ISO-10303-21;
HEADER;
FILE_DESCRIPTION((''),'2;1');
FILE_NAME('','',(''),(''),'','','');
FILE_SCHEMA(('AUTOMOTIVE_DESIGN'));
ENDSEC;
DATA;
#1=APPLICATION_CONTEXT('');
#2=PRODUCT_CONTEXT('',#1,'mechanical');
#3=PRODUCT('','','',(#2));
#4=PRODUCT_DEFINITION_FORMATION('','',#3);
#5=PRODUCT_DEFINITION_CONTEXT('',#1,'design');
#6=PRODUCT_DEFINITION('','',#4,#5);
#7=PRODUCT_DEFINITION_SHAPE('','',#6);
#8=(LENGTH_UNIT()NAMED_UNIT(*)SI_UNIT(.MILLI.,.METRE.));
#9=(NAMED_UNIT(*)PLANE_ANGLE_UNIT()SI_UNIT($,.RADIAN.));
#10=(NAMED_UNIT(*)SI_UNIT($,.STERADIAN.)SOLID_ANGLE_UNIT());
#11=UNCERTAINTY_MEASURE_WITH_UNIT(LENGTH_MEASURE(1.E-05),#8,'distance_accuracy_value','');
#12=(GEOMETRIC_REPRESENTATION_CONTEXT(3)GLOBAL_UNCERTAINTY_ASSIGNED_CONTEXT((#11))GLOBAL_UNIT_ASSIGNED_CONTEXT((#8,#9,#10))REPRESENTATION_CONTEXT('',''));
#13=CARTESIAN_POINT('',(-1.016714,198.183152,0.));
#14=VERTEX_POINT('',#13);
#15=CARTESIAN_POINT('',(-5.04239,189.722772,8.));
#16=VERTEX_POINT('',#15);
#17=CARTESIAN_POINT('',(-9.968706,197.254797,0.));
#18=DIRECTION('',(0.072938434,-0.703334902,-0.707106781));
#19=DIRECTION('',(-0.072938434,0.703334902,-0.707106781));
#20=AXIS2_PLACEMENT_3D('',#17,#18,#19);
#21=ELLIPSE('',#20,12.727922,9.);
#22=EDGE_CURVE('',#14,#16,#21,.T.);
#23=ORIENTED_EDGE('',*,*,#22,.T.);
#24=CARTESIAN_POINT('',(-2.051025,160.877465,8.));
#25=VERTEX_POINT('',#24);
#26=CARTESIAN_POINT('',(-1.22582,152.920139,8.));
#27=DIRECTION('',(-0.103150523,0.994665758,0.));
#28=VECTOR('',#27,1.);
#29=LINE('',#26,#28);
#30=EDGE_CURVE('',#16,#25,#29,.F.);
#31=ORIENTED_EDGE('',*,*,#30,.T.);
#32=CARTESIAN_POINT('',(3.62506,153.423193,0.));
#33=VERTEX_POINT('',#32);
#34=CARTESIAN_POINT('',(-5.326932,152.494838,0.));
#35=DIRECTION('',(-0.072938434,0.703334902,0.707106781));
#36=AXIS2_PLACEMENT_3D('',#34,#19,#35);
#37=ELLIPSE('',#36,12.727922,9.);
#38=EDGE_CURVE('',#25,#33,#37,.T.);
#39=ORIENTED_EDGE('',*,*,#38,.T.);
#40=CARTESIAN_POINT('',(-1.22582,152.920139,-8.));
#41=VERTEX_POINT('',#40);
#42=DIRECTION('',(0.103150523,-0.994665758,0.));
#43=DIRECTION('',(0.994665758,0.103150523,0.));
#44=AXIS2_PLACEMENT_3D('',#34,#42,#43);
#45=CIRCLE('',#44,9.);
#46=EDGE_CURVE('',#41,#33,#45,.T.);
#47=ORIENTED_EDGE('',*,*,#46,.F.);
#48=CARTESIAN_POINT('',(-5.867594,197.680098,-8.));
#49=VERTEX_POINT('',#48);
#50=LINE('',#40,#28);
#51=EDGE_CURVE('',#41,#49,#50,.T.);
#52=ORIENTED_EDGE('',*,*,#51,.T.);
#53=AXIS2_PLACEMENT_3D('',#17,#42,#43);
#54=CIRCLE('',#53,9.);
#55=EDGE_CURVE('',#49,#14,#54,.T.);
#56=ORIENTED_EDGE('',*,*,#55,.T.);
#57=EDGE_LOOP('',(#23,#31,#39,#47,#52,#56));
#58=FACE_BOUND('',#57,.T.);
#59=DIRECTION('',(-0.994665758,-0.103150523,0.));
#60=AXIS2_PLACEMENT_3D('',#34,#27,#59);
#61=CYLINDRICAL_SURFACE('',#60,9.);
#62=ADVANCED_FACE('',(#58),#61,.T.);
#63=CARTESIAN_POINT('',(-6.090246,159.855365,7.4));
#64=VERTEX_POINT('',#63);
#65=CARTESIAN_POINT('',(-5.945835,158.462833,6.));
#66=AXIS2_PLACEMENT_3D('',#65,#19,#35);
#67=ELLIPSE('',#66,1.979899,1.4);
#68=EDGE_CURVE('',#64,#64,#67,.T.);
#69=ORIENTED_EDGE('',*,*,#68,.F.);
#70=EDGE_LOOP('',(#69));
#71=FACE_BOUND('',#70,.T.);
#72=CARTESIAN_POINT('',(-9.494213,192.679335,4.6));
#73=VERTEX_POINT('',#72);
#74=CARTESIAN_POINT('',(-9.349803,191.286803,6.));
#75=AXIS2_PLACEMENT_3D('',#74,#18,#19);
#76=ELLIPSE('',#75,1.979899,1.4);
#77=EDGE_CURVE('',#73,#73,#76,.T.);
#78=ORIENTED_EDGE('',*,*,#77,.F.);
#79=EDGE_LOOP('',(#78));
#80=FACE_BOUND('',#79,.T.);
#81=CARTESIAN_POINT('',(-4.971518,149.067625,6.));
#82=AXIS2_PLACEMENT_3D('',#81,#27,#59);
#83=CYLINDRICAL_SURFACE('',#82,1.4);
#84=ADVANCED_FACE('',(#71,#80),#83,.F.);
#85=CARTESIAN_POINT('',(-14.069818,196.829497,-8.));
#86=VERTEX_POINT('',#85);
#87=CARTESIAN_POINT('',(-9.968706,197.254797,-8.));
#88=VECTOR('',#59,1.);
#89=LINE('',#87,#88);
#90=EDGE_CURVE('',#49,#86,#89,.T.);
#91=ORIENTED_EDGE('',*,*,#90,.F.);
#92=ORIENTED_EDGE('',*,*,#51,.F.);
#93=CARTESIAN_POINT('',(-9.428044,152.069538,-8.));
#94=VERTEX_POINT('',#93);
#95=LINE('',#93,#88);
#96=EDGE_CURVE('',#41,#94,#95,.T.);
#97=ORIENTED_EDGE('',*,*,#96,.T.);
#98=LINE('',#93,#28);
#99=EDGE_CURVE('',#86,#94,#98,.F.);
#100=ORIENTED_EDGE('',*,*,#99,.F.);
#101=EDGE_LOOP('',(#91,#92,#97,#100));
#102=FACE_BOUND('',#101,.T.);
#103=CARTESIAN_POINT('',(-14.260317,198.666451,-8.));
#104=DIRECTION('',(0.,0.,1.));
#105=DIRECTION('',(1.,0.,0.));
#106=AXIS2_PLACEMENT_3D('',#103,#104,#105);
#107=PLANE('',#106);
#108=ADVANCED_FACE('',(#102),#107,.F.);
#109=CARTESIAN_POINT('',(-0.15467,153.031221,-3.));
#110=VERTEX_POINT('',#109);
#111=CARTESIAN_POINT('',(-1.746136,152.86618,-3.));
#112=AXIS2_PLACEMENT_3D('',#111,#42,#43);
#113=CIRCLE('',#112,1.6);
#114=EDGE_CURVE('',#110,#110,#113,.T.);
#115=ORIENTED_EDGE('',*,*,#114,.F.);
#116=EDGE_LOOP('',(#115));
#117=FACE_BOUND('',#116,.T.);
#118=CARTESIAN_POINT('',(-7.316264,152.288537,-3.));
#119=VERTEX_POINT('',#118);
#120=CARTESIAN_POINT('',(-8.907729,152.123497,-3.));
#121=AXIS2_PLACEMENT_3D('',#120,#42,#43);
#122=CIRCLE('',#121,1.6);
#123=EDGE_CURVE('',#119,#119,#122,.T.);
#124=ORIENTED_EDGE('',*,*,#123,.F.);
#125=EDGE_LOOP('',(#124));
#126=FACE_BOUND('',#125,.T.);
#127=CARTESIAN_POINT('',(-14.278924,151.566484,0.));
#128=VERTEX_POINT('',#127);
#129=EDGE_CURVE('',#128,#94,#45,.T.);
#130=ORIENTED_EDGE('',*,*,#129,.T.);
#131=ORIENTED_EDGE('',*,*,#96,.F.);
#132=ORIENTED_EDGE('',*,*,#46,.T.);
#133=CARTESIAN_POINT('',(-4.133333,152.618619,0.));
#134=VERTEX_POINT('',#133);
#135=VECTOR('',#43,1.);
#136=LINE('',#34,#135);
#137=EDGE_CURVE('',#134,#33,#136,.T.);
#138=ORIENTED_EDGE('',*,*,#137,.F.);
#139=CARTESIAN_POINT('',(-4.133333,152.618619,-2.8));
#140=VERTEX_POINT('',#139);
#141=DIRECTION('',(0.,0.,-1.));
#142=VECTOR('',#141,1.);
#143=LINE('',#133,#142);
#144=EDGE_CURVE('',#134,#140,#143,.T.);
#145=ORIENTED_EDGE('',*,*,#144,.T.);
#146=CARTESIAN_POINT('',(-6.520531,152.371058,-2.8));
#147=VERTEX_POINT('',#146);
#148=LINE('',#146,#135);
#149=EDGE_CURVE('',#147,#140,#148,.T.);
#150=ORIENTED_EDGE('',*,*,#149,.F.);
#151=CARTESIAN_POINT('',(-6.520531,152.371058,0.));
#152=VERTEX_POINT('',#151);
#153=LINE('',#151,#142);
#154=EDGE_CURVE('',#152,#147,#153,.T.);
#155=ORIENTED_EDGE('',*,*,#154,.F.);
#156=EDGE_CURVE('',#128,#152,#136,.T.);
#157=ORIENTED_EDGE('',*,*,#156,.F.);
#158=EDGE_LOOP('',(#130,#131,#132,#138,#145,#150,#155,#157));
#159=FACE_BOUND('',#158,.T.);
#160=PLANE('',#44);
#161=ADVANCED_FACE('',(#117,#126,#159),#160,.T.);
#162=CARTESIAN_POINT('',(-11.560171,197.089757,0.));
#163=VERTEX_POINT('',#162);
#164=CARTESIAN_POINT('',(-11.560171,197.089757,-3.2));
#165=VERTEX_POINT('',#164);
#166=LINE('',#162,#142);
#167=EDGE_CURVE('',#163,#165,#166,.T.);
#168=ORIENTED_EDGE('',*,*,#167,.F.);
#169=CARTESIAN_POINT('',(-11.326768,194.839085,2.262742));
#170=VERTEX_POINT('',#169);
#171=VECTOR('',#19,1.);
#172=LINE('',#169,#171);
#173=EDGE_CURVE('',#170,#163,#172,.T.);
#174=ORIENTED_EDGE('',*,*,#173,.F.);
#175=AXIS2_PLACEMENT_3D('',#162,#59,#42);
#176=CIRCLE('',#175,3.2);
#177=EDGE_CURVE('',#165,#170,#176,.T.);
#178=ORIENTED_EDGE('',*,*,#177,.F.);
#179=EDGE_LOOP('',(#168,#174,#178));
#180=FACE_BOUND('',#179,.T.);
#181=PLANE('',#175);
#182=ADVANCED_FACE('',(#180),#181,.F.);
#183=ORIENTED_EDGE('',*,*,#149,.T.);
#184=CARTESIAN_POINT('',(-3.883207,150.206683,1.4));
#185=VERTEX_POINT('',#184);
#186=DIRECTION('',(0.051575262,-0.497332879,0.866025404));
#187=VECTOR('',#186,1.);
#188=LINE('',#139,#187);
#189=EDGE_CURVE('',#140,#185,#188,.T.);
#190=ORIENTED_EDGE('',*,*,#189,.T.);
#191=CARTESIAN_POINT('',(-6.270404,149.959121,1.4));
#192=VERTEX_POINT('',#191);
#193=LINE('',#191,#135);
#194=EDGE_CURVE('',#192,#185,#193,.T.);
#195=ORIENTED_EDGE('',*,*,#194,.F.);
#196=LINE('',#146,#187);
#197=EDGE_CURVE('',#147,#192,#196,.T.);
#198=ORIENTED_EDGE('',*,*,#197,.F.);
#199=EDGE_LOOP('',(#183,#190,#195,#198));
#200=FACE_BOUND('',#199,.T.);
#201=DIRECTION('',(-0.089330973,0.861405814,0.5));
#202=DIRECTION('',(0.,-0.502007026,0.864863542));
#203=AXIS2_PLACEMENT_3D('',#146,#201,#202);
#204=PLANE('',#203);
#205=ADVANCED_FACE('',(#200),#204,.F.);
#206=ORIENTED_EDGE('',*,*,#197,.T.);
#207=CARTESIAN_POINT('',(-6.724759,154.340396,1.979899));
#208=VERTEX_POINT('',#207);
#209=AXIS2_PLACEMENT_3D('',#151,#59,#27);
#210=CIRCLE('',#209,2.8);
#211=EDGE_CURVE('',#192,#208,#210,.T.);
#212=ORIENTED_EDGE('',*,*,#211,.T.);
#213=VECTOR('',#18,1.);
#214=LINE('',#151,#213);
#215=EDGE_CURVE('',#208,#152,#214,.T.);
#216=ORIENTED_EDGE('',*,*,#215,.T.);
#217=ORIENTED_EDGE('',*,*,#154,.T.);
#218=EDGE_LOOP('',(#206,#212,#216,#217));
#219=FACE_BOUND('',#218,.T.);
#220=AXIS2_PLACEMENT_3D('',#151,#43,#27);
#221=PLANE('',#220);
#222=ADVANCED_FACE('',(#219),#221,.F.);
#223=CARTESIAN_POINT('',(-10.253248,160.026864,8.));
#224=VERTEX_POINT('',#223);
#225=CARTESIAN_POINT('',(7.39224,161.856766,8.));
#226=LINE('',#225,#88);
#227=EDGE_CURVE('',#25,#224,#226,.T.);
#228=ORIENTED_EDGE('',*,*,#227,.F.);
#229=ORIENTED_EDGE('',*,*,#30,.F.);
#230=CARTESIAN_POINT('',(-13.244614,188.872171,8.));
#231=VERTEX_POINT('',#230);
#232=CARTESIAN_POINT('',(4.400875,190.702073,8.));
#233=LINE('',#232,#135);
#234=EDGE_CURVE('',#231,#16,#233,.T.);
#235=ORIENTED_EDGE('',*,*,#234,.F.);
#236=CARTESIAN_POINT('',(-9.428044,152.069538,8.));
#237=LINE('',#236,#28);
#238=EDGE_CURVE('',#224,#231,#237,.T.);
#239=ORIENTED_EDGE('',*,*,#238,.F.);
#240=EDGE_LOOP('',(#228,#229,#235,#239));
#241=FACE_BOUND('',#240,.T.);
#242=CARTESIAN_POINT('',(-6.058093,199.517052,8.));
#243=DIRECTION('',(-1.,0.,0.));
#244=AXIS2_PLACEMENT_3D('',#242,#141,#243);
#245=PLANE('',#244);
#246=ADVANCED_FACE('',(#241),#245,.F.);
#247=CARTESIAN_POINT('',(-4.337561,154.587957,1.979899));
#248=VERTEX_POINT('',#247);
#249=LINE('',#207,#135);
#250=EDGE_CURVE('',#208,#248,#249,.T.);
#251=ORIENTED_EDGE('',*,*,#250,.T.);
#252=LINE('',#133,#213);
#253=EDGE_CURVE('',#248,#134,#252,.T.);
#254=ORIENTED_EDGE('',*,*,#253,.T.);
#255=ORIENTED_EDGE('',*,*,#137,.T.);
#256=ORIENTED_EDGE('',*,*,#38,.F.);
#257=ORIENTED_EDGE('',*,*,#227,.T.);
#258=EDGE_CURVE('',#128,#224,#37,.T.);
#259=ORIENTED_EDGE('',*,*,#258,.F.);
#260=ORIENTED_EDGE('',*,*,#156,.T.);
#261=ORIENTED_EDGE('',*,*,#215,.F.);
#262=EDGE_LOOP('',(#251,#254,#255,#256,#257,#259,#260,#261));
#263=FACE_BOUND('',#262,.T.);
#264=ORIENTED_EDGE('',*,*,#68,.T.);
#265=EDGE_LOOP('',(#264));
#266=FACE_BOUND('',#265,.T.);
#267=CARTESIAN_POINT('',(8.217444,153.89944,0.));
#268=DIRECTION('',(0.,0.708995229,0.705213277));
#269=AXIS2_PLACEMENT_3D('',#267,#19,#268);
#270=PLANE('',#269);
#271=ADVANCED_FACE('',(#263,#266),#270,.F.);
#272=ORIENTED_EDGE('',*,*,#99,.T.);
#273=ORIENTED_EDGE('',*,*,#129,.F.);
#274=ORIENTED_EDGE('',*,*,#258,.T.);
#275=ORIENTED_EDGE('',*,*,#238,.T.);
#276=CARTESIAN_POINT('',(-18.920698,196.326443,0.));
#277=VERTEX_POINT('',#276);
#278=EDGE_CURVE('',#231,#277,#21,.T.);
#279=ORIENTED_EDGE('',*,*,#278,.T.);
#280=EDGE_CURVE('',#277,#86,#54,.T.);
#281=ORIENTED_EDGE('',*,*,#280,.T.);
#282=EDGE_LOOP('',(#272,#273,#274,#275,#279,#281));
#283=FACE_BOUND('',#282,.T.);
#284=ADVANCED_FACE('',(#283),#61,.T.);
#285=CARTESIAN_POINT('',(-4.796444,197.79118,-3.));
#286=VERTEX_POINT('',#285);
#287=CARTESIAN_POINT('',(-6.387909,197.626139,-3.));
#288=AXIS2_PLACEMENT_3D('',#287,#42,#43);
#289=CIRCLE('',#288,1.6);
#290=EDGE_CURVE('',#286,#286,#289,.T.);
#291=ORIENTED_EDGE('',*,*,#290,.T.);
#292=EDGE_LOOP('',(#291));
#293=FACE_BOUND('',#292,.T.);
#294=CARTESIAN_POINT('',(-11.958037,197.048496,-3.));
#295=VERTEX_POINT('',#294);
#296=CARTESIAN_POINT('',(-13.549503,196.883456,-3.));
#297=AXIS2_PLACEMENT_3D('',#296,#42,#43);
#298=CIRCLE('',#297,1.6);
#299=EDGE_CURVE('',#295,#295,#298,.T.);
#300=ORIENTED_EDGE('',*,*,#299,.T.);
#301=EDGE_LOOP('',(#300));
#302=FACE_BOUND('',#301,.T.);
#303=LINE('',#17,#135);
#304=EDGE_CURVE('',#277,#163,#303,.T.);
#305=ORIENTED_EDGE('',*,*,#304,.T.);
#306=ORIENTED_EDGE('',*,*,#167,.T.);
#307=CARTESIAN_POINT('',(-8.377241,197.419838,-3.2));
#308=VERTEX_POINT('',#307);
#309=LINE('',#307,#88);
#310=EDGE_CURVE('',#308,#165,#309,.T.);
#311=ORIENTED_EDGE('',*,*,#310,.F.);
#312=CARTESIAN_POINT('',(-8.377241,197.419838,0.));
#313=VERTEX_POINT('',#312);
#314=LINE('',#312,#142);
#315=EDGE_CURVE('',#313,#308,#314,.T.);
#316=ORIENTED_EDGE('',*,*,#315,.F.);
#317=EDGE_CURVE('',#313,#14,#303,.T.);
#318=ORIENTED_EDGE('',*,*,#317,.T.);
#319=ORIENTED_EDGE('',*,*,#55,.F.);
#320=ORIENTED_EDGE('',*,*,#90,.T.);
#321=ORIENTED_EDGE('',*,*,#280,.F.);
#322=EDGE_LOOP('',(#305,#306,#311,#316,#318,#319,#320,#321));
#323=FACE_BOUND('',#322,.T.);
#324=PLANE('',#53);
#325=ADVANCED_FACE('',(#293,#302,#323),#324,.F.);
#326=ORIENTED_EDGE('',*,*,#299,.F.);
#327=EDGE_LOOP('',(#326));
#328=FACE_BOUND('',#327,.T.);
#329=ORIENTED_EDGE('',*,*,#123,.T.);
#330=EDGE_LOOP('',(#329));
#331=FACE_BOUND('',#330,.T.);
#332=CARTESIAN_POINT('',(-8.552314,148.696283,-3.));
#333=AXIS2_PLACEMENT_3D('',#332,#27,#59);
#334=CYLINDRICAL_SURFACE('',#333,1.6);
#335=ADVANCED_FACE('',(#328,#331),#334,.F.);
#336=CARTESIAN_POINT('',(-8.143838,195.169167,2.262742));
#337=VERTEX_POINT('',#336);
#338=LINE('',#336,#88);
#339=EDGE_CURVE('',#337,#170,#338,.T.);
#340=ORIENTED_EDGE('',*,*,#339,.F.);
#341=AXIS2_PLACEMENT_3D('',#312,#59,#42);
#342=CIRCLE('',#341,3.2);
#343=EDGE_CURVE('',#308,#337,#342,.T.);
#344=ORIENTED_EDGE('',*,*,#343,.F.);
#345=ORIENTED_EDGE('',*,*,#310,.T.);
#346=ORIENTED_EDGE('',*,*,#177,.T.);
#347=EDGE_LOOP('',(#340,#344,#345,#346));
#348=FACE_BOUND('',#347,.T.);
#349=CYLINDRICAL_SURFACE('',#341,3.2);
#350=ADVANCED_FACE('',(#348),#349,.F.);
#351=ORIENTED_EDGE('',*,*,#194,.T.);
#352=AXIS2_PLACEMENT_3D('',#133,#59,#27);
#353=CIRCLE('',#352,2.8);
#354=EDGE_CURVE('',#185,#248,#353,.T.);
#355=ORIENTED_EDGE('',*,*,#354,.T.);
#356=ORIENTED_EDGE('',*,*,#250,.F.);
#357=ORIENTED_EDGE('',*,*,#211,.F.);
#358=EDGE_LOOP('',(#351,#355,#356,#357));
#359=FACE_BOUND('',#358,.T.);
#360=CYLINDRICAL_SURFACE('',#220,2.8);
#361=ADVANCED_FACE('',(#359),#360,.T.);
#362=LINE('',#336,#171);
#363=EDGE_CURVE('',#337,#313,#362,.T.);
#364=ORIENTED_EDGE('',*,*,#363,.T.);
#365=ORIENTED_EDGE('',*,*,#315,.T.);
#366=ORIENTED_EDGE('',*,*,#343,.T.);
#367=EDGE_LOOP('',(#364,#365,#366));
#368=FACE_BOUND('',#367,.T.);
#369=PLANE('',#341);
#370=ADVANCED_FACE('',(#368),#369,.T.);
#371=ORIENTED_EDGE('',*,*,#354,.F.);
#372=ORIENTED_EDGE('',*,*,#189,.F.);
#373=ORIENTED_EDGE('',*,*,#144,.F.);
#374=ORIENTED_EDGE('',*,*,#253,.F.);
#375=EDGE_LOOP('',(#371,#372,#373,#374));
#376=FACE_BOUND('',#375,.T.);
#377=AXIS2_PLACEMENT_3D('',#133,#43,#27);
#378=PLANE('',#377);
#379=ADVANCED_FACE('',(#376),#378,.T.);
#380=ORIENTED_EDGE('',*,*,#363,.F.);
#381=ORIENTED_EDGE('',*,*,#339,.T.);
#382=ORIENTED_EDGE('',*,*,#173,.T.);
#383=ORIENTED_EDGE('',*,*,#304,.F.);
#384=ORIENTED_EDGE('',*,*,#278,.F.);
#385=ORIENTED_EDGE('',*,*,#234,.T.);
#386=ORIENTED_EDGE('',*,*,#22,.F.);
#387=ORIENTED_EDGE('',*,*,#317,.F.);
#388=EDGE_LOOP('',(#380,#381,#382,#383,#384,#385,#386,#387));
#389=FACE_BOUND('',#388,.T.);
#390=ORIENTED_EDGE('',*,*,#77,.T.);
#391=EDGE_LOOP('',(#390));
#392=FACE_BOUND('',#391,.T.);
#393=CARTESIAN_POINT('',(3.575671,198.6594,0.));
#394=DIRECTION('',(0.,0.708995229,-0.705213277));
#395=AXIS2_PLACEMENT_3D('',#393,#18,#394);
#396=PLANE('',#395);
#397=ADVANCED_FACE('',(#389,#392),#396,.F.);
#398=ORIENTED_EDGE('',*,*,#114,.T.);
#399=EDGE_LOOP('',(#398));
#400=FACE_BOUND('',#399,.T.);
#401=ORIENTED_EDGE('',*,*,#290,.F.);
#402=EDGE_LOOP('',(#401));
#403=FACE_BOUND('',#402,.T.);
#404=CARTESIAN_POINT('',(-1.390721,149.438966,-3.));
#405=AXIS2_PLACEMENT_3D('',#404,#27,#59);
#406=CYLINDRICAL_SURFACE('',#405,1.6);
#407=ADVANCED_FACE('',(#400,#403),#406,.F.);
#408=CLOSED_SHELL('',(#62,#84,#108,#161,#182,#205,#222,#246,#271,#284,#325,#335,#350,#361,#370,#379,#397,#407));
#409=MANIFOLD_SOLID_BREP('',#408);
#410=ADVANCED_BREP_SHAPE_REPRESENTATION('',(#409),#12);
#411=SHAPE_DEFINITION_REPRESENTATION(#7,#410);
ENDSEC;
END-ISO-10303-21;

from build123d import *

# Parameters (mm, degrees)
SKETCH3_R               = 9
BOSS_EXTRUDE1_DEPTH     = 45
CUT_EXTRUDE1_DEPTH      = 14.617013191
CUT_EXTRUDE1_DEPTH_BACK = 14.617013191
BOSS_EXTRUDE2_DEPTH     = 1.2
CUT_EXTRUDE2_DEPTH      = 1.6
SKETCH8_R               = 1.6
SKETCH8_R_2             = 1.4
CUT_EXTRUDE3_DEPTH      = 2.846805277
CUT_EXTRUDE3_DEPTH_BACK = 49.445593418
CUT_EXTRUDE4_DEPTH      = 47.846805277


with BuildPart() as part:
    # Sketch3 → Boss-Extrude1 (new body)
    with BuildSketch(Plane(origin=(-20.344467381, 196.178792599, 0), x_dir=(-0.994665758, -0.103150523, 0), z_dir=(0.103150523, -0.994665758, 0))):
        with Locations((-10.431405186, 0)):
            Circle(SKETCH3_R)
    extrude(amount=BOSS_EXTRUDE1_DEPTH)

    # Sketch4 → Cut-Extrude1 (cut, two sides)
    with BuildSketch(Plane(origin=(10.375761543, 1.076004901, 0), x_dir=(0.103150523, -0.994665758, 0), z_dir=(-0.994665758, -0.103150523, 0))) as cut_extrude1_sk:
        Polygon((-197.230869842, 0), (-188.230869842, 9), (-197.230869842, 9), align=None)
        Polygon((-161.230869842, 9), (-152.230869842, 9), (-152.230869842, 0), align=None)
    extrude(amount=CUT_EXTRUDE1_DEPTH, mode=Mode.SUBTRACT)
    extrude(cut_extrude1_sk.sketch, amount=-CUT_EXTRUDE1_DEPTH_BACK, mode=Mode.SUBTRACT)

    # Sketch5 → Boss-Extrude2 (add, symmetric)
    with BuildSketch(Plane(origin=(10.375761543, 1.076004901, 0), x_dir=(0.103150523, -0.994665758, 0), z_dir=(-0.994665758, -0.103150523, 0))):
        with BuildLine():
            Line((-152.230869842, 0), (-154.210768829, 1.979898987))
            ThreePointArc((-154.210768829, 1.979898987), (-151.865396504, 2.776045612), (-149.805998711, 1.4))
            Line((-149.805998711, 1.4), (-152.230869842, -2.8))
            Line((-152.230869842, -2.8), (-152.230869842, 0))
        make_face()
    extrude(amount=BOSS_EXTRUDE2_DEPTH, both=True)

    # Sketch7 → Cut-Extrude2 (cut, symmetric)
    with BuildSketch(Plane(origin=(10.375761543, 1.076004901, 0), x_dir=(0.103150523, -0.994665758, 0), z_dir=(-0.994665758, -0.103150523, 0))):
        with BuildLine():
            Line((-194.968128142, 2.2627417), (-197.230869842, 0))
            Line((-197.230869842, 0), (-197.230869842, -3.2))
            ThreePointArc((-197.230869842, -3.2), (-194.274455338, -1.224586984), (-194.968128142, 2.2627417))
        make_face()
    extrude(amount=CUT_EXTRUDE2_DEPTH, both=True, mode=Mode.SUBTRACT)

    # Sketch8 → Cut-Extrude3 (cut, two sides)
    with BuildSketch(Plane(origin=(-20.344467381, 196.178792599, 0), x_dir=(0.994665758, 0.103150523, 0), z_dir=(-0.103150523, 0.994665758, 0))) as cut_extrude3_sk:
        with Locations((6.831405186, 3)):
            Circle(SKETCH8_R)
        with Locations((14.031405186, 3)):
            Circle(SKETCH8_R)
        with Locations((10.431405186, -6)):
            Circle(SKETCH8_R_2)
    extrude(amount=CUT_EXTRUDE3_DEPTH, mode=Mode.SUBTRACT)
    extrude(cut_extrude3_sk.sketch, amount=-CUT_EXTRUDE3_DEPTH_BACK, mode=Mode.SUBTRACT)

    # Sketch9 → Cut-Extrude4 (cut, through all)
    with BuildSketch(Plane(origin=(-15.702693845, 151.418833501, 0), x_dir=(0.994665758, 0.103150523, 0), z_dir=(0.103150523, -0.994665758, 0))):
        with BuildLine():
            Line((6.30829956, -8), (14.554510811, -8))
            ThreePointArc((14.554510811, -8), (10.431405186, -9), (6.30829956, -8))
        make_face()
        with BuildLine():
            Line((14.554510811, 8), (6.30829956, 8))
            ThreePointArc((6.30829956, 8), (10.431405186, 9), (14.554510811, 8))
        make_face()
    extrude(amount=-CUT_EXTRUDE4_DEPTH, mode=Mode.SUBTRACT)


solid = part.part
